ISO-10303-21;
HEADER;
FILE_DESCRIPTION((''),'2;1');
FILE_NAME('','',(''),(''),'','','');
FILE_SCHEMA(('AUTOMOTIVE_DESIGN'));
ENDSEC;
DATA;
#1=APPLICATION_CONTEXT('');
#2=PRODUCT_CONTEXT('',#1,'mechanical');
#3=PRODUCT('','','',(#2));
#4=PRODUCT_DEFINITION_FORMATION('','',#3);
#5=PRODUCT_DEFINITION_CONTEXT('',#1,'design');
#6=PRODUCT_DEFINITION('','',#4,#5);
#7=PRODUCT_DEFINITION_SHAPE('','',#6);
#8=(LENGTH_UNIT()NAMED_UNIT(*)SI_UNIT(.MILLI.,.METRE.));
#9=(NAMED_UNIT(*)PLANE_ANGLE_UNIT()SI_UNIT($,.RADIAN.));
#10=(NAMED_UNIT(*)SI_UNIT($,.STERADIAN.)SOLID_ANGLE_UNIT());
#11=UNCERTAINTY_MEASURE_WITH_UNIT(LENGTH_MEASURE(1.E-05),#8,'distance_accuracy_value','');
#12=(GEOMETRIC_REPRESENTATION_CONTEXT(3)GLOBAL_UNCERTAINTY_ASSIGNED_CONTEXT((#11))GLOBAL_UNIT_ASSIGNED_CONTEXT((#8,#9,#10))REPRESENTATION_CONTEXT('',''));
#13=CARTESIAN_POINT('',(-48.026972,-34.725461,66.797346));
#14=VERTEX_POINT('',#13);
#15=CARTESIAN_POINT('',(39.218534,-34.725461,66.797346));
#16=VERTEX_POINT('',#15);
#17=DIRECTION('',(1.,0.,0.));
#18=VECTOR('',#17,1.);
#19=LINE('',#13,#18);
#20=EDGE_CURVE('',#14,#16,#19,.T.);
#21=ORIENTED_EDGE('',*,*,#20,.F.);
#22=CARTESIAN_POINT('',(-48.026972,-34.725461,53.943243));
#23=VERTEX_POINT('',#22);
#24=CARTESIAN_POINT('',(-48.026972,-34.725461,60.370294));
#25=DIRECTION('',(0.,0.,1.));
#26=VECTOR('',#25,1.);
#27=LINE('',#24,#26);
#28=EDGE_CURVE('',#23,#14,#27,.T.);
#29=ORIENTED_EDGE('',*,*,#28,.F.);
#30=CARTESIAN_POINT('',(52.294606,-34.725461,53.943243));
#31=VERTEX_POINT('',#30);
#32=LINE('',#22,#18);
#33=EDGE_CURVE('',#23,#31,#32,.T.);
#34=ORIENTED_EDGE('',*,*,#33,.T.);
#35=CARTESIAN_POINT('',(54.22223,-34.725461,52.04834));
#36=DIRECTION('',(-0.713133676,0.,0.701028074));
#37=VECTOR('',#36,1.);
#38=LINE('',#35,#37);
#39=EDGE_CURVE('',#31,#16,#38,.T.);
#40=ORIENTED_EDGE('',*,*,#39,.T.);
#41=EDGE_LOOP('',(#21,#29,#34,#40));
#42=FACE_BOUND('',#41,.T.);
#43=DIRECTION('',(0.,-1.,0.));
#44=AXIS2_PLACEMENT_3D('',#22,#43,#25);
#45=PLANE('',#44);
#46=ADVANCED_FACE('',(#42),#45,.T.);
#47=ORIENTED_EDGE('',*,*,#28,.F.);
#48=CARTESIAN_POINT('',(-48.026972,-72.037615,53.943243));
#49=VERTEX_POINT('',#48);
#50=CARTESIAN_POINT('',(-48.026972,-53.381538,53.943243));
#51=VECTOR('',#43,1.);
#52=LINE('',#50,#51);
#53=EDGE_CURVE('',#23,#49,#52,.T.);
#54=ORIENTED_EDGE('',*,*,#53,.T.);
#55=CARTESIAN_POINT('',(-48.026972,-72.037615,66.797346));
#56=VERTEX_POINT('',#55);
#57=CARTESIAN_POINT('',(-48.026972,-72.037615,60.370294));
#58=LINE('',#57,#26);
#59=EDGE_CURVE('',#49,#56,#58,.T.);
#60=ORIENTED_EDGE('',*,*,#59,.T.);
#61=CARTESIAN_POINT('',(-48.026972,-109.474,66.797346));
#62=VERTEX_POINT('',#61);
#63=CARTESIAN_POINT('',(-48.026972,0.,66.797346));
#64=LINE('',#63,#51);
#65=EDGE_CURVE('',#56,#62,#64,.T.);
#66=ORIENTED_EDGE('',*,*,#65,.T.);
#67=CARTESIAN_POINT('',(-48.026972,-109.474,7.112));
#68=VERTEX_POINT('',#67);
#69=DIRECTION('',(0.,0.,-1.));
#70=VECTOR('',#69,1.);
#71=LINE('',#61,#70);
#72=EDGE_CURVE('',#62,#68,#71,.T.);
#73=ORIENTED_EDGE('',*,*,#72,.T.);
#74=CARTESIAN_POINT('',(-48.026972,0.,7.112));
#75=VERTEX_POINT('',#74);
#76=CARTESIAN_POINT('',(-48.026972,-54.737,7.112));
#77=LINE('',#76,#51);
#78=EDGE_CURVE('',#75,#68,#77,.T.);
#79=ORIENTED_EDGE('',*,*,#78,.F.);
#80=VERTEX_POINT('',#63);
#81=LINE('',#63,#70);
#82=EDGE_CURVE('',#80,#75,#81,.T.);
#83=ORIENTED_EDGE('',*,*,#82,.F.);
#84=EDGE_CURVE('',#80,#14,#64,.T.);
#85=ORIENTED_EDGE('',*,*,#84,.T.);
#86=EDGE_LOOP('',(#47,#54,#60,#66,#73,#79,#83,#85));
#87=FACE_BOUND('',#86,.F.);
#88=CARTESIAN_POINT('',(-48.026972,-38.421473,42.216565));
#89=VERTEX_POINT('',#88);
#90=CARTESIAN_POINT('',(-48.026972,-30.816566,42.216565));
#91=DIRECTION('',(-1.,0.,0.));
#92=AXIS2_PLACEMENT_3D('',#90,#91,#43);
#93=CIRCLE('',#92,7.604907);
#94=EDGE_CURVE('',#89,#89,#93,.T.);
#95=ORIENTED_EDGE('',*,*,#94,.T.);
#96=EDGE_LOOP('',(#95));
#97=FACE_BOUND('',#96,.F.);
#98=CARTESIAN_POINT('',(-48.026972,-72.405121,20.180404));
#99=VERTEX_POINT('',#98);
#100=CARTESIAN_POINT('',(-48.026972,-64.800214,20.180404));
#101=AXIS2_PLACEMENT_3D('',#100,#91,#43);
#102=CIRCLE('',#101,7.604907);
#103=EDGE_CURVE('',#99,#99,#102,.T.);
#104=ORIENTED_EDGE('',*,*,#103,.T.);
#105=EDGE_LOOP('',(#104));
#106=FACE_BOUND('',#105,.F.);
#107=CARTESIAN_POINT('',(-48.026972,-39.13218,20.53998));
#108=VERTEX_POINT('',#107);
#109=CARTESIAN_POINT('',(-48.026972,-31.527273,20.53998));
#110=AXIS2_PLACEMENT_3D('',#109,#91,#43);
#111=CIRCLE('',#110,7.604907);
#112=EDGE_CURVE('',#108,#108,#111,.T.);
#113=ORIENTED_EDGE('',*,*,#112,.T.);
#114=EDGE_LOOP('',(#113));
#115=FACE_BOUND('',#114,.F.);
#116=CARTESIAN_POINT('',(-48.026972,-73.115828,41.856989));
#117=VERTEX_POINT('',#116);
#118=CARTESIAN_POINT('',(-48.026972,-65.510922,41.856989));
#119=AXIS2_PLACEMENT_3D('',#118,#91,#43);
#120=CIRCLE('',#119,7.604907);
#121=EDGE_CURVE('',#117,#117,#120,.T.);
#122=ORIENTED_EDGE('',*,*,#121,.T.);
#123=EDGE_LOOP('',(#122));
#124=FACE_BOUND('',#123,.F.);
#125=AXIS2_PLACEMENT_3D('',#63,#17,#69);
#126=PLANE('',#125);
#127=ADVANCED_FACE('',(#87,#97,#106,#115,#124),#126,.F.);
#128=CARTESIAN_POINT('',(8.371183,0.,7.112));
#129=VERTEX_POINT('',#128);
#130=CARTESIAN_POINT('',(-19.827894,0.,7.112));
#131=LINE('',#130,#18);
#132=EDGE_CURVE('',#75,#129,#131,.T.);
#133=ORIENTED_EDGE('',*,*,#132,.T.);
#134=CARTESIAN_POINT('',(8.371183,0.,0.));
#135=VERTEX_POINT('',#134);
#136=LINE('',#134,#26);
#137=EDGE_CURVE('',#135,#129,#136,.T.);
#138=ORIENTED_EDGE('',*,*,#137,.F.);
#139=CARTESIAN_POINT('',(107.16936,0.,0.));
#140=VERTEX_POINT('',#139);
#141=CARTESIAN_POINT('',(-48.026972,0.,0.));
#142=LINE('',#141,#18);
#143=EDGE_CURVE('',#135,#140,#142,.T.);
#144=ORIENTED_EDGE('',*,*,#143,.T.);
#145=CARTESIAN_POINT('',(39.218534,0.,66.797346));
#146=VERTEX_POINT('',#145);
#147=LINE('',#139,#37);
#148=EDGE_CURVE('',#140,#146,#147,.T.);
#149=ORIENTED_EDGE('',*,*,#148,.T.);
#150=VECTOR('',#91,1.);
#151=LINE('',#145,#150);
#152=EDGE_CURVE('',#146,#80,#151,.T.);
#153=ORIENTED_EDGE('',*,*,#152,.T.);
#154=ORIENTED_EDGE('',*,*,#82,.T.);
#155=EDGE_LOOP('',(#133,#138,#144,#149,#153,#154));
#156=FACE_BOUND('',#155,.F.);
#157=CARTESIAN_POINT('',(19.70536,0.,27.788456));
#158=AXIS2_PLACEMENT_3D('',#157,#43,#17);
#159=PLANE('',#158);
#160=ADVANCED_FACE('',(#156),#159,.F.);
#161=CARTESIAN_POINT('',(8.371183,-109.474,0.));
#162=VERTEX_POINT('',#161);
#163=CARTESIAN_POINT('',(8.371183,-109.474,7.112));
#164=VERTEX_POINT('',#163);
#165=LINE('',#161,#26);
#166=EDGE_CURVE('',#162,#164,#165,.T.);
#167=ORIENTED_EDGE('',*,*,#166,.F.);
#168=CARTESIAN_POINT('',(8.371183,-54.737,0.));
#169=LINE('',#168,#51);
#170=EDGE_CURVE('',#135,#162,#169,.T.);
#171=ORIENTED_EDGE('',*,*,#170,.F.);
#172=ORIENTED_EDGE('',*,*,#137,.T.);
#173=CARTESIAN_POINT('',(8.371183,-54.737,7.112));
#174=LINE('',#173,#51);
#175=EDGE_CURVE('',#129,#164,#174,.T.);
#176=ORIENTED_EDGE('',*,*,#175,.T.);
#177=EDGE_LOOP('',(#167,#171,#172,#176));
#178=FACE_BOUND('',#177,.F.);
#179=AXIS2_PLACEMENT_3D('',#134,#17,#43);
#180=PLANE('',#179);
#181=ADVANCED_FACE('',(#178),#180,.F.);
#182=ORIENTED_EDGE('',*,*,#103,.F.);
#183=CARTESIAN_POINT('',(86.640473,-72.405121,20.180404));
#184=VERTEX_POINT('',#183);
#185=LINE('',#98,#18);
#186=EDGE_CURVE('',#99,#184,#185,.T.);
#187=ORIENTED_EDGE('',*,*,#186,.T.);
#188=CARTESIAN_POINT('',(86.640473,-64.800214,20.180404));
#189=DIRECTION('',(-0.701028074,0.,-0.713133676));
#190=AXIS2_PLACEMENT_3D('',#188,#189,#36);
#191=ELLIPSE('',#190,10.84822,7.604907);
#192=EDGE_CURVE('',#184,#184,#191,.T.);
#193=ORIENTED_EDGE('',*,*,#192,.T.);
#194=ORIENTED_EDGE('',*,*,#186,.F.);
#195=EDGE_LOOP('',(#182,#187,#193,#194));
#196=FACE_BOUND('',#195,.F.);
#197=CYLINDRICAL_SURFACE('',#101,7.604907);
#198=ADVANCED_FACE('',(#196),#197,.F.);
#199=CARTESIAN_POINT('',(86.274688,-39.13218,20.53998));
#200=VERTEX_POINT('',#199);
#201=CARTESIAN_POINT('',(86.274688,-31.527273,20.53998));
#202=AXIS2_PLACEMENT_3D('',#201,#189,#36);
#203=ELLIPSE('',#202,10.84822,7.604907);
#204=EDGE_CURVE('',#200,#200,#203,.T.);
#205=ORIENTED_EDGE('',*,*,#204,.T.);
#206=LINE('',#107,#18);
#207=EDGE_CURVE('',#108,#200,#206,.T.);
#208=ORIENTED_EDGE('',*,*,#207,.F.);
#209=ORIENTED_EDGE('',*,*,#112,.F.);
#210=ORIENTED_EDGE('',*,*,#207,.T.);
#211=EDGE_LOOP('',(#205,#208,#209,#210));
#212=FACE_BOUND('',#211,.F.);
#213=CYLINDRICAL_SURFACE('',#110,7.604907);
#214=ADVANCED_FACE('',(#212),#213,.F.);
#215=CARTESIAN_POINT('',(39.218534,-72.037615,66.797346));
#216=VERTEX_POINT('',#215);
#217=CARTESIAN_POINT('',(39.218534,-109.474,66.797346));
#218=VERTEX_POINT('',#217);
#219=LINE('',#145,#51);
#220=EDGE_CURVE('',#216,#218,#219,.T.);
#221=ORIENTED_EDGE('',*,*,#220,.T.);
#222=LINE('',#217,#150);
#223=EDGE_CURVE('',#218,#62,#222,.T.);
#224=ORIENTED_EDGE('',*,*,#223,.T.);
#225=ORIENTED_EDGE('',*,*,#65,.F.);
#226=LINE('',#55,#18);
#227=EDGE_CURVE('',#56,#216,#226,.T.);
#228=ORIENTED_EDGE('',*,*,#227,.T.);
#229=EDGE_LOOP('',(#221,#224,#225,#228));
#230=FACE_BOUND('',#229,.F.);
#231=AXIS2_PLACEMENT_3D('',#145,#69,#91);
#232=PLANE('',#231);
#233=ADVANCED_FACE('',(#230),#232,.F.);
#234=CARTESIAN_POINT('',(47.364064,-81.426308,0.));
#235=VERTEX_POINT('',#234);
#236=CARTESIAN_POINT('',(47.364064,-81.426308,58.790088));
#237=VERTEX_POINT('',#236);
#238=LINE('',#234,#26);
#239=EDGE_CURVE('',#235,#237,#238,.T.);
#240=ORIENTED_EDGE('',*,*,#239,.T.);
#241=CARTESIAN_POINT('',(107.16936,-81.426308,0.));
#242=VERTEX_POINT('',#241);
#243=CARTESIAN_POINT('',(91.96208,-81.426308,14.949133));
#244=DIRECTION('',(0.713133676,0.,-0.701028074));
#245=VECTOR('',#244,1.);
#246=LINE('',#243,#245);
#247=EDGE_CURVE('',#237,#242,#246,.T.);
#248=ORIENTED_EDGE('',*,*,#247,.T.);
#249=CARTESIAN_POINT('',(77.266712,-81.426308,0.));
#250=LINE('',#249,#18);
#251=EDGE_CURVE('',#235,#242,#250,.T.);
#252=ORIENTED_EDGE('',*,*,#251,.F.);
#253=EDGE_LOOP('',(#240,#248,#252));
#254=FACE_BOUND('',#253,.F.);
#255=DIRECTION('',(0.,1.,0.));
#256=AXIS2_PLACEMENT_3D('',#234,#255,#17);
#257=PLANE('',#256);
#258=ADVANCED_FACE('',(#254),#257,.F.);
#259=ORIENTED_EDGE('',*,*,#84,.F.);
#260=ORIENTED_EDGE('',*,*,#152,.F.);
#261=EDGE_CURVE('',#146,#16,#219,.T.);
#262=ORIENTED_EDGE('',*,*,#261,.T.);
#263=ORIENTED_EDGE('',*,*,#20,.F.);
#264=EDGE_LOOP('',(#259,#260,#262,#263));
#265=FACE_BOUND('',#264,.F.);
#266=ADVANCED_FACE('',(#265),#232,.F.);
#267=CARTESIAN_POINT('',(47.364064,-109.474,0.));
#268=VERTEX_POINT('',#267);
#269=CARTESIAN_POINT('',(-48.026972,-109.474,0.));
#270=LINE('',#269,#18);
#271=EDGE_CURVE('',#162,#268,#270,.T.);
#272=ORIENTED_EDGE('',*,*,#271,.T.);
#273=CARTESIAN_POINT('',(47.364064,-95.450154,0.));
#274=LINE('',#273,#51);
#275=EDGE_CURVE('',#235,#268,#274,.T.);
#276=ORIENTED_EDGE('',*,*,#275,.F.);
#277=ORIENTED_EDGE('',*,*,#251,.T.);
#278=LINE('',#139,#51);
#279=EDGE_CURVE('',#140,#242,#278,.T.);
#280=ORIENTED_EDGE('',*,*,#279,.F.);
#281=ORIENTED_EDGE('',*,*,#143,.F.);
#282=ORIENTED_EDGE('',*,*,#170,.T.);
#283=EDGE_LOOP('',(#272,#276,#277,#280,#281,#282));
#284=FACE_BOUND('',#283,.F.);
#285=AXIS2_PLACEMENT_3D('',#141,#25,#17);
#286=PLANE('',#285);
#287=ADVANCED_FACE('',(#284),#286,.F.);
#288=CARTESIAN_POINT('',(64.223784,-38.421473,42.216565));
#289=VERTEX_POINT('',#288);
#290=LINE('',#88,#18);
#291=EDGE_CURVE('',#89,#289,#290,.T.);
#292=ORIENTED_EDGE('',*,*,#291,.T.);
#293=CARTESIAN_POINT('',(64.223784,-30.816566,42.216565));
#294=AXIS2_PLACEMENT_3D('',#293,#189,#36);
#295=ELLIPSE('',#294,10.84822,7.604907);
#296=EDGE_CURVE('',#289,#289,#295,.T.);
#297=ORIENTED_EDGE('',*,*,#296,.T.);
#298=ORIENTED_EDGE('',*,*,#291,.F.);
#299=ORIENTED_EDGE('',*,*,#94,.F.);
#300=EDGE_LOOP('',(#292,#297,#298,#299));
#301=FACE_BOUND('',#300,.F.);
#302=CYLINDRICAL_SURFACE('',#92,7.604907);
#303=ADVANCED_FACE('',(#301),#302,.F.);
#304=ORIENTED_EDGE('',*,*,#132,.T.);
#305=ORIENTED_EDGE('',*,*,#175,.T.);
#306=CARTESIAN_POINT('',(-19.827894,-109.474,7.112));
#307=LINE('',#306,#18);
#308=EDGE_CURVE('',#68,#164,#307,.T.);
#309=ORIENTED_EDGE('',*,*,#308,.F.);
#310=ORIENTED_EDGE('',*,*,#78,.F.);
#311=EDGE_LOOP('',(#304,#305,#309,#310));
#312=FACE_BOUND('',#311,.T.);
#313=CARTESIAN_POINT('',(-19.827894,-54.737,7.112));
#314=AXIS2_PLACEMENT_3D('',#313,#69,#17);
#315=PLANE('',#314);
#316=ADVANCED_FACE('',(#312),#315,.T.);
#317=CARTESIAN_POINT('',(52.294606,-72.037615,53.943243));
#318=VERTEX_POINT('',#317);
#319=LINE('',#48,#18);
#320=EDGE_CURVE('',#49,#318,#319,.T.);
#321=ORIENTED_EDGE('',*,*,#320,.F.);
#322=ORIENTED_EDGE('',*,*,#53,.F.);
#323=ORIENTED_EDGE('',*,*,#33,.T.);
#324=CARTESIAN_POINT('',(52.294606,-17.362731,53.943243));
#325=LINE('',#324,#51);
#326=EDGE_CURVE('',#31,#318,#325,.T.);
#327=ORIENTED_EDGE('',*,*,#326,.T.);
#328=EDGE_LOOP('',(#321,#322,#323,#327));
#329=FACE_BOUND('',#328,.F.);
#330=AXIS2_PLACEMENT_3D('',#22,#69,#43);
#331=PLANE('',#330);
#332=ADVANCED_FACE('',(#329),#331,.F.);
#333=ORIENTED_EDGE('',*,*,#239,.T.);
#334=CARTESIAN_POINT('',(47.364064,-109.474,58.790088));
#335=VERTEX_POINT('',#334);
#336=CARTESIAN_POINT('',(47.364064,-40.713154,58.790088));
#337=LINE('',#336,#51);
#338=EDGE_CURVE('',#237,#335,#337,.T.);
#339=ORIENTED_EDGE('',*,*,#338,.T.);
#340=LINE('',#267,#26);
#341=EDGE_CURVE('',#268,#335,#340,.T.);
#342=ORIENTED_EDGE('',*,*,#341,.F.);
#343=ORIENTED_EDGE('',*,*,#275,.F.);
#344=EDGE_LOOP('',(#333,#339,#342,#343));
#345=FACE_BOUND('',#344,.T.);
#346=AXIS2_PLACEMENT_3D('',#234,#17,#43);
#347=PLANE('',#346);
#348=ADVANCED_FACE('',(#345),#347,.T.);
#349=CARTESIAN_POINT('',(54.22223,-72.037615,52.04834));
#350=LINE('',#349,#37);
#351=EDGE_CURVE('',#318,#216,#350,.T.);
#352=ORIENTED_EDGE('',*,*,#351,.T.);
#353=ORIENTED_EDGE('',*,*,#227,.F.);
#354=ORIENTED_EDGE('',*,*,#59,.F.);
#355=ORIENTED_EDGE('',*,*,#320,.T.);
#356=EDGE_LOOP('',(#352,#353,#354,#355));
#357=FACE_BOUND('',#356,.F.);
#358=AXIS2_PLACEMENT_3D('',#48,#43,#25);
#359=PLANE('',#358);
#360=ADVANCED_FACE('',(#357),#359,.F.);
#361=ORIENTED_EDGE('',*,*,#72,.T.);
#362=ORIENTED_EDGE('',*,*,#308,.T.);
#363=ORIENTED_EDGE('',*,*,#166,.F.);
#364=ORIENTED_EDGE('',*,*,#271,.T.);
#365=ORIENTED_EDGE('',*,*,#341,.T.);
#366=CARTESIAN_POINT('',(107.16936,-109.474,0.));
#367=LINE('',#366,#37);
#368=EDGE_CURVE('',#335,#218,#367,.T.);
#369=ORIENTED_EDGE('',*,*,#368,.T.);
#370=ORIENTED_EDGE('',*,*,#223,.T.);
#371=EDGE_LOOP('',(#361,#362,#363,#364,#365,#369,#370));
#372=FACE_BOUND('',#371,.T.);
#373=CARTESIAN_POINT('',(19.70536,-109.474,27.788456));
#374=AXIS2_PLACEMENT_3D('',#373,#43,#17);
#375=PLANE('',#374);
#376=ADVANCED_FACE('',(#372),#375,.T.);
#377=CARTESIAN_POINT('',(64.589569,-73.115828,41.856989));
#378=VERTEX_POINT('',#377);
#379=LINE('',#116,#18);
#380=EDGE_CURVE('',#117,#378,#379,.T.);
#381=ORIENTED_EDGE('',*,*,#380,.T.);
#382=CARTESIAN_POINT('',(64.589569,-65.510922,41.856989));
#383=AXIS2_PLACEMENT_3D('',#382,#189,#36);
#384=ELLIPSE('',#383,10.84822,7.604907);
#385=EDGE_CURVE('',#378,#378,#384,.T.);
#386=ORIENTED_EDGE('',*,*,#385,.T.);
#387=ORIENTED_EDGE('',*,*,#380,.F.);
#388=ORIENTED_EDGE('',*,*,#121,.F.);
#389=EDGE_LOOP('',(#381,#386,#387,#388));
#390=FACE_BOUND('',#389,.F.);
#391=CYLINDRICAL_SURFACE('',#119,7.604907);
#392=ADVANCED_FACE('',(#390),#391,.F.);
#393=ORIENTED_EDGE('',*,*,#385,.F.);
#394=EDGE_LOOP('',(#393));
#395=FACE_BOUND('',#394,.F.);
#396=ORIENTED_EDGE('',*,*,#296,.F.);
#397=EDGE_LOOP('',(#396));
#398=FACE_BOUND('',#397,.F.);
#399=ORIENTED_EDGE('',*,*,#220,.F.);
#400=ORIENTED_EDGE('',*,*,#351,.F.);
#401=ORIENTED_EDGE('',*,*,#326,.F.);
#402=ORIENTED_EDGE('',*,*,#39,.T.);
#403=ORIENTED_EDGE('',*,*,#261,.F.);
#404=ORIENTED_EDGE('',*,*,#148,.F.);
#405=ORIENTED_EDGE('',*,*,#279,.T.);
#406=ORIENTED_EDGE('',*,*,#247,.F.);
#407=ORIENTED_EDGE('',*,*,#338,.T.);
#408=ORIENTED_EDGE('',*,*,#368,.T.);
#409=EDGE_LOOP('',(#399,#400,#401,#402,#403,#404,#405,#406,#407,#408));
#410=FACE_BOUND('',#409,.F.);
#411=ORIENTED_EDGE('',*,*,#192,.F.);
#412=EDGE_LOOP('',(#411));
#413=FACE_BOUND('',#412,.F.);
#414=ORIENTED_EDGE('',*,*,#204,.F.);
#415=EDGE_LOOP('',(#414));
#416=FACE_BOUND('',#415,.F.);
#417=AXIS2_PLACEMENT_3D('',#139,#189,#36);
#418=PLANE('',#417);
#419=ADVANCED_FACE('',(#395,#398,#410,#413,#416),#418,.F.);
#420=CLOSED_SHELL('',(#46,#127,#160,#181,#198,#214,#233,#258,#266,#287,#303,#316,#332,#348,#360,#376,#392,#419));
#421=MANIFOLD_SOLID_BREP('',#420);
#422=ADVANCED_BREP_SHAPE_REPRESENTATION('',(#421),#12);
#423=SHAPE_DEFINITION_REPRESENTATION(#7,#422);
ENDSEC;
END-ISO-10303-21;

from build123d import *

# Parameters (mm, degrees)
F1_DEPTH = 109.474
F2_W     = 37.3121537268
F2_H     = 12.854102999
F2_R     = 7.6049065211
F3_DEPTH = 155.1973314414
F4_W     = 59.8052963614
F4_H     = 28.047692441
F5_DEPTH = 66.7983458767
F6_W     = 56.3981542364
F6_H     = 109.474
F7_DEPTH = 7.112


with BuildPart() as f1:
    # F0 (on Front) → F1 (new body)
    with BuildSketch(Plane.XZ):
        Polygon((-48.026971519, 66.7973458767), (-48.026971519, 0), (107.1693599224, 0), (39.2185337842, 66.7973458767), align=None)
    extrude(amount=F1_DEPTH)

    # F2 (on face) → F3 (cut, through all)
    with BuildSketch(Plane(origin=(-48.026971519, 0, 0), x_dir=(0, -1, 0), z_dir=(-1, 0, 0))):
        with Locations((53.3815380186, 60.3702943772)):
            Rectangle(F2_W, F2_H)
        with Locations((30.8165661991, 42.21656546)):
            Circle(F2_R)
        with Locations((31.5272733569, 20.5399803817)):
            Circle(F2_R)
        with Locations((64.8002144327, 20.1804041862)):
            Circle(F2_R)
        with Locations((65.5109215906, 41.8569892645)):
            Circle(F2_R)
    extrude(amount=-F3_DEPTH, mode=Mode.SUBTRACT)

    # F4 (on face) → F5 (cut, through all)
    with BuildSketch(Plane(origin=(0, 0, 0), x_dir=(1, 0, 0), z_dir=(0, 0, -1))):
        with Locations((77.2667117417, 95.4501537795)):
            Rectangle(F4_W, F4_H)
    extrude(amount=-F5_DEPTH, mode=Mode.SUBTRACT)

    # F6 (on face) → F7 (cut)
    with BuildSketch(Plane(origin=(0, 0, 0), x_dir=(1, 0, 0), z_dir=(0, 0, -1))):
        with Locations((-19.8278944008, 54.737)):
            Rectangle(F6_W, F6_H)
    extrude(amount=-F7_DEPTH, mode=Mode.SUBTRACT)


solid = f1.part
